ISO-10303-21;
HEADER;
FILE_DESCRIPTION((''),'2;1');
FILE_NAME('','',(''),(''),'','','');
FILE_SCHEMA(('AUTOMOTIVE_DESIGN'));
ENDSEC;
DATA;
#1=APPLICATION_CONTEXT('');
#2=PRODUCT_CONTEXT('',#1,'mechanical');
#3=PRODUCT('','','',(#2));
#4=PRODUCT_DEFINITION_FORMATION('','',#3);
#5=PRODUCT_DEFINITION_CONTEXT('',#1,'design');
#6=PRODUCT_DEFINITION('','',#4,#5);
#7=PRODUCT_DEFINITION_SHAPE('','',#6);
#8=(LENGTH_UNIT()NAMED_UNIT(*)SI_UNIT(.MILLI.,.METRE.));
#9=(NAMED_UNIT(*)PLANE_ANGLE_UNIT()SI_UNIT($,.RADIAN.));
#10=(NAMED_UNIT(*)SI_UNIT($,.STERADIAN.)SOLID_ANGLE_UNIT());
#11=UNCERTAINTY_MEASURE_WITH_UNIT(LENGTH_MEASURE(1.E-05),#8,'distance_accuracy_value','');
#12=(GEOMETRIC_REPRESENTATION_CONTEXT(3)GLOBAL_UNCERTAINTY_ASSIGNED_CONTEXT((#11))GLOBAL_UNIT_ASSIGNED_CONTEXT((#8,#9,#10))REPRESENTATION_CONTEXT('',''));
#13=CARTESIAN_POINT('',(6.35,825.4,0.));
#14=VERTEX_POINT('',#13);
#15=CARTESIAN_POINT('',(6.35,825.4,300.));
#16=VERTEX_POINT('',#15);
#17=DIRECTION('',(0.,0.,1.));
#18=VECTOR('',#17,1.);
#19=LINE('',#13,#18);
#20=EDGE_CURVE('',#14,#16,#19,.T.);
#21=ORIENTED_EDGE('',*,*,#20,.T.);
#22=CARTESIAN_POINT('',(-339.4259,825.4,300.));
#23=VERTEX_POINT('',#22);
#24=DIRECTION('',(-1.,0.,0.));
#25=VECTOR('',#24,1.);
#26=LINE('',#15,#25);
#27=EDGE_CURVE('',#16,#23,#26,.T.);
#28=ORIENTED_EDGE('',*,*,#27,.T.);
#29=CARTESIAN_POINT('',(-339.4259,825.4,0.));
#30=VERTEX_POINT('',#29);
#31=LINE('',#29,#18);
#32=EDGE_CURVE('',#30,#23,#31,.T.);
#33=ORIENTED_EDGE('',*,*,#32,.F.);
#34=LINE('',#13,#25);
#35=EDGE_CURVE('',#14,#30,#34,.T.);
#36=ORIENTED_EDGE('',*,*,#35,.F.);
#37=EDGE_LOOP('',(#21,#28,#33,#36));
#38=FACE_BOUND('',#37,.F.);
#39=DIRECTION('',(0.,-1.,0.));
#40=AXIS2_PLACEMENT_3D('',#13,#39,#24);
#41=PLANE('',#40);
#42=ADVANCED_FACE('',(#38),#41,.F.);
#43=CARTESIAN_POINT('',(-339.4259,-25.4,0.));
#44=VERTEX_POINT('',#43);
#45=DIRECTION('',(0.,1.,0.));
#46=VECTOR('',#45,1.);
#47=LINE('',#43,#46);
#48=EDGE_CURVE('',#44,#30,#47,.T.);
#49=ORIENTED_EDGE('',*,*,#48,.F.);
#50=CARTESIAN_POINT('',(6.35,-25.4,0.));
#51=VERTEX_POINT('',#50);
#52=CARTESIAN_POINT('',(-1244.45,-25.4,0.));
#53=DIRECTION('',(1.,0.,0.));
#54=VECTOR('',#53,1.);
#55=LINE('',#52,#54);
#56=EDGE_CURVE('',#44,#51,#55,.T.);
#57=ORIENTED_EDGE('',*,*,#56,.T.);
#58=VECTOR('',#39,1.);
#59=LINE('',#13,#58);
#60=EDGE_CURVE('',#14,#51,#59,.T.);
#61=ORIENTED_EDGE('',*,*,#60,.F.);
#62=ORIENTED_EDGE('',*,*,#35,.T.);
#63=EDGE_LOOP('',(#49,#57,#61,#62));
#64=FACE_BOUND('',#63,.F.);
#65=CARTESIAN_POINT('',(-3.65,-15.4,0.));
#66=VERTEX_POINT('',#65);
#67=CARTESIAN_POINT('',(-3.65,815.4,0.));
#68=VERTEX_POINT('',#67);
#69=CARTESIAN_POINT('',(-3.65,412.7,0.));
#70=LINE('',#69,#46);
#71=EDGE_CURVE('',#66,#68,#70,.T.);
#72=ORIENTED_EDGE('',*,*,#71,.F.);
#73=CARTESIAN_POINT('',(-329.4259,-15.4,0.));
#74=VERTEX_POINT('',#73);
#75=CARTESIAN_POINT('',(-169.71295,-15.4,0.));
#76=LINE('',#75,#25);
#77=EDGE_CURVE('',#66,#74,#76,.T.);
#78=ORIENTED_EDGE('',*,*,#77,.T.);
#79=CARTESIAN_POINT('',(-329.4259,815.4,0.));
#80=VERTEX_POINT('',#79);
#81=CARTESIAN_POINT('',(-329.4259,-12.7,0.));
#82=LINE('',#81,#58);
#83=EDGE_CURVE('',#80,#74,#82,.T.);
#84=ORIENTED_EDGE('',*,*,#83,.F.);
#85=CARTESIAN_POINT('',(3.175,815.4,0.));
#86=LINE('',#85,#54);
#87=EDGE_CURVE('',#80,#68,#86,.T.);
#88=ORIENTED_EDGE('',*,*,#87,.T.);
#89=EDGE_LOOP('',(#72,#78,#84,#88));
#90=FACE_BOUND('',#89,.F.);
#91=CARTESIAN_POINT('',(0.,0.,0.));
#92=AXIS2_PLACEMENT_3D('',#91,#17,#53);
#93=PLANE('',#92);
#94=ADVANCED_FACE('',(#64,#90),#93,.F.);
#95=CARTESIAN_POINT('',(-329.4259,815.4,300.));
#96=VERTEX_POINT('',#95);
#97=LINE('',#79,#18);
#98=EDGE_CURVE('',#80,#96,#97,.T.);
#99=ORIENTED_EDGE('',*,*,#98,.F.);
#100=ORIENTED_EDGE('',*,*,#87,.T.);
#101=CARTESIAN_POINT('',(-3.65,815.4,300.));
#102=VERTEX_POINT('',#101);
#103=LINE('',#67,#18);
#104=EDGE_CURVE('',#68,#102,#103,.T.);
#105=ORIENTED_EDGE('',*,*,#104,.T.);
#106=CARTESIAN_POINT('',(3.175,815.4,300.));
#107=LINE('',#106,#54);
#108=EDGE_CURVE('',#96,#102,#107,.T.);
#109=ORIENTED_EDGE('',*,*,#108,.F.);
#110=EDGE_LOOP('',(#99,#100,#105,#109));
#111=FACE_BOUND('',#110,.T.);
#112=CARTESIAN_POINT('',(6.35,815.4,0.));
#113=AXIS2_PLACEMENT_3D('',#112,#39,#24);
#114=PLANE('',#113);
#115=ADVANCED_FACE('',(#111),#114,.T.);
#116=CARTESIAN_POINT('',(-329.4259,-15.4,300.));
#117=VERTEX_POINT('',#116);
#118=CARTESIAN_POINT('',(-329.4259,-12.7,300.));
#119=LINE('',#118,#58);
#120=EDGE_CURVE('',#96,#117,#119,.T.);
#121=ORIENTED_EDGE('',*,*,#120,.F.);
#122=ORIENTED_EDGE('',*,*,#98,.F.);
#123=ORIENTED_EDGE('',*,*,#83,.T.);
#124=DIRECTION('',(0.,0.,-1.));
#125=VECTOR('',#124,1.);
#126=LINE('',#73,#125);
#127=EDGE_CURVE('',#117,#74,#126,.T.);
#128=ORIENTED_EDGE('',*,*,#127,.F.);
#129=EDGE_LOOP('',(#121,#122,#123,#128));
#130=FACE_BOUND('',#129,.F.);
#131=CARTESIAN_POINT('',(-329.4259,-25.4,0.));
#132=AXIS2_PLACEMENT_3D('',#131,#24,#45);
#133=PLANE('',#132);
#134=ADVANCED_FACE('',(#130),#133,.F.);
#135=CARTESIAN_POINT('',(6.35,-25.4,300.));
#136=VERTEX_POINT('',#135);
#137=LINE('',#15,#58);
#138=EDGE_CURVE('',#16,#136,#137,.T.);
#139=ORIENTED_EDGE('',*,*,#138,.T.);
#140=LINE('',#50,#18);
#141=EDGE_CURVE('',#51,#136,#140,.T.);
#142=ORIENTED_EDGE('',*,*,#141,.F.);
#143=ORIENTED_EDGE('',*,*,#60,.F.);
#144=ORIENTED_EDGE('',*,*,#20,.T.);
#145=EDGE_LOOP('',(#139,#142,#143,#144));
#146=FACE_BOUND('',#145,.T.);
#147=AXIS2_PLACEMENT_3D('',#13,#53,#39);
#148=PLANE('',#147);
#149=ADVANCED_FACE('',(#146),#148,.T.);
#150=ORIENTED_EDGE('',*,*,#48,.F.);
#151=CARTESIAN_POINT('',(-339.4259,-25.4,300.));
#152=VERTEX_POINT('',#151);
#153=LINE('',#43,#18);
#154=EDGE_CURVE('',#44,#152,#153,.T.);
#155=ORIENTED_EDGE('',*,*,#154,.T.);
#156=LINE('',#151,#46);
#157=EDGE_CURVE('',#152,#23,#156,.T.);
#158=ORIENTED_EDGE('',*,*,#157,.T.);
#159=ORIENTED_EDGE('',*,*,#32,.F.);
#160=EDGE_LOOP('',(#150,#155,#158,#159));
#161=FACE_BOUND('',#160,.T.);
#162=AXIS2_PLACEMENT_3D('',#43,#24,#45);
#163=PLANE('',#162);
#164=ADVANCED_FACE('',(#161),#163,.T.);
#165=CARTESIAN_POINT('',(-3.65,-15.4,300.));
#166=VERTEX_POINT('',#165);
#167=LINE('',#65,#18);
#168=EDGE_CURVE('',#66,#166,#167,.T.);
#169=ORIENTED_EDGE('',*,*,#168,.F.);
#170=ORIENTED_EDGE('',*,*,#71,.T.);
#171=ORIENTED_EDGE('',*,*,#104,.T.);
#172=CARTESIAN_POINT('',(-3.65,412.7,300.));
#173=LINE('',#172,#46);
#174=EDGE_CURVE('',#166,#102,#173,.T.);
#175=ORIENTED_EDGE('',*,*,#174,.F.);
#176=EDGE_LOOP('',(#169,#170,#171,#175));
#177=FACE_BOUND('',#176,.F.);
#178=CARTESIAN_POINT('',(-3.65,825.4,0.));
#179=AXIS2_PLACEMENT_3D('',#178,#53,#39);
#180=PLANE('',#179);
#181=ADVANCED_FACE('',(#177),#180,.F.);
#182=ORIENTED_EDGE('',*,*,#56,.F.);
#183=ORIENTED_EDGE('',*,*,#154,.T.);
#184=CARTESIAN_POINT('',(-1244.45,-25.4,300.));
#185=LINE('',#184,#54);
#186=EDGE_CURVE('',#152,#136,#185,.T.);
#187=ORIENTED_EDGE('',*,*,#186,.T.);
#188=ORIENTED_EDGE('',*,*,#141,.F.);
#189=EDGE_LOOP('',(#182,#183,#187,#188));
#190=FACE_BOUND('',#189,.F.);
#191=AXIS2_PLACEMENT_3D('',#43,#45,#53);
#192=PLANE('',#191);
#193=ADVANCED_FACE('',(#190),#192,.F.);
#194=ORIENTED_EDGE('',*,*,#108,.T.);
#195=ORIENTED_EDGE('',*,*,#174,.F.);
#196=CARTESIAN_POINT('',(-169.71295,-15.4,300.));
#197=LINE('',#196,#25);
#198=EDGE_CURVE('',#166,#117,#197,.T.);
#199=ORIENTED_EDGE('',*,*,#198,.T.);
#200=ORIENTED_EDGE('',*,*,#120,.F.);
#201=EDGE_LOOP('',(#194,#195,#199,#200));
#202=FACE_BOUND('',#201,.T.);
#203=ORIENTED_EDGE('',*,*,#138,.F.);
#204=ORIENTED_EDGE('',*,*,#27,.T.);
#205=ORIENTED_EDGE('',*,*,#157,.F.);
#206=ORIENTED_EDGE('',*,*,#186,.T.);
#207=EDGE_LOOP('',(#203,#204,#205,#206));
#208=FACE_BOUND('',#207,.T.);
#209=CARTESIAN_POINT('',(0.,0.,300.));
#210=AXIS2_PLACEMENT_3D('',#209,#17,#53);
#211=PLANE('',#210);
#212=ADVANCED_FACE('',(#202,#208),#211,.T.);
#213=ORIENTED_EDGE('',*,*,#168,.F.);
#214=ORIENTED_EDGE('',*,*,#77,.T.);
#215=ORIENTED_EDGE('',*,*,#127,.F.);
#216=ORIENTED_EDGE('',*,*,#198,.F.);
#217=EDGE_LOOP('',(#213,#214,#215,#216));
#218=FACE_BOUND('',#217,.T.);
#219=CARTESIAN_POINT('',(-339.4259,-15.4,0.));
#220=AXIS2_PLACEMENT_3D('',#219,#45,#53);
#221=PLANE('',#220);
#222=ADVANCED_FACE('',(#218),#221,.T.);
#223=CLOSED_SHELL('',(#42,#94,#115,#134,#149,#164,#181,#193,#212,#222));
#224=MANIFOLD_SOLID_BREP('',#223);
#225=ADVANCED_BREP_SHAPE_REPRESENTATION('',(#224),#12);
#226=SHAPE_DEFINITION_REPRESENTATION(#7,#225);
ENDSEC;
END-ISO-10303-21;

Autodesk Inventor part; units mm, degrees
ref_plane "YZ Plane" through (0, 0, 0) normal (1, 0, 0) x (0, 1, 0)
ref_plane "XZ Plane" through (0, 0, 0) normal (0, 1, 0) x (-1, 0, 0)
ref_plane "XY Plane" through (0, 0, 0) normal (0, 0, 1) x (1, 0, 0)
ref_plane "Work Plane1" through (0, 0, 0) normal (0, 0, 1) x (1, 0, 0)
sketch "Sketch1" plane through (0, 0, 0) normal (0, 0, 1) x (1, 0, 0)
  line L0 (-1244.45, -25.4) -> (6.35, -25.4) projected
  line L1 (6.35, 825.4) -> (-1244.45, 825.4) projected
  line L2 (6.35, -25.4) -> (-339.4259, -25.4)
  line L3 (-339.4259, -25.4) -> (-339.4259, 825.4)
  line L4 (-339.4259, 825.4) -> (6.35, 825.4)
  line L5 (6.35, 825.4) -> (6.35, -25.4)
  point P0 (0, 0)
extrude "Extrusion1" add sketch "Sketch1" along normal blind 300
shell "Shell1" thickness 10 removed faces 2 at (-108.9086, 258.2, 0) at (-108.9086, 258.2, 300)
properties part number "Gear_House"
